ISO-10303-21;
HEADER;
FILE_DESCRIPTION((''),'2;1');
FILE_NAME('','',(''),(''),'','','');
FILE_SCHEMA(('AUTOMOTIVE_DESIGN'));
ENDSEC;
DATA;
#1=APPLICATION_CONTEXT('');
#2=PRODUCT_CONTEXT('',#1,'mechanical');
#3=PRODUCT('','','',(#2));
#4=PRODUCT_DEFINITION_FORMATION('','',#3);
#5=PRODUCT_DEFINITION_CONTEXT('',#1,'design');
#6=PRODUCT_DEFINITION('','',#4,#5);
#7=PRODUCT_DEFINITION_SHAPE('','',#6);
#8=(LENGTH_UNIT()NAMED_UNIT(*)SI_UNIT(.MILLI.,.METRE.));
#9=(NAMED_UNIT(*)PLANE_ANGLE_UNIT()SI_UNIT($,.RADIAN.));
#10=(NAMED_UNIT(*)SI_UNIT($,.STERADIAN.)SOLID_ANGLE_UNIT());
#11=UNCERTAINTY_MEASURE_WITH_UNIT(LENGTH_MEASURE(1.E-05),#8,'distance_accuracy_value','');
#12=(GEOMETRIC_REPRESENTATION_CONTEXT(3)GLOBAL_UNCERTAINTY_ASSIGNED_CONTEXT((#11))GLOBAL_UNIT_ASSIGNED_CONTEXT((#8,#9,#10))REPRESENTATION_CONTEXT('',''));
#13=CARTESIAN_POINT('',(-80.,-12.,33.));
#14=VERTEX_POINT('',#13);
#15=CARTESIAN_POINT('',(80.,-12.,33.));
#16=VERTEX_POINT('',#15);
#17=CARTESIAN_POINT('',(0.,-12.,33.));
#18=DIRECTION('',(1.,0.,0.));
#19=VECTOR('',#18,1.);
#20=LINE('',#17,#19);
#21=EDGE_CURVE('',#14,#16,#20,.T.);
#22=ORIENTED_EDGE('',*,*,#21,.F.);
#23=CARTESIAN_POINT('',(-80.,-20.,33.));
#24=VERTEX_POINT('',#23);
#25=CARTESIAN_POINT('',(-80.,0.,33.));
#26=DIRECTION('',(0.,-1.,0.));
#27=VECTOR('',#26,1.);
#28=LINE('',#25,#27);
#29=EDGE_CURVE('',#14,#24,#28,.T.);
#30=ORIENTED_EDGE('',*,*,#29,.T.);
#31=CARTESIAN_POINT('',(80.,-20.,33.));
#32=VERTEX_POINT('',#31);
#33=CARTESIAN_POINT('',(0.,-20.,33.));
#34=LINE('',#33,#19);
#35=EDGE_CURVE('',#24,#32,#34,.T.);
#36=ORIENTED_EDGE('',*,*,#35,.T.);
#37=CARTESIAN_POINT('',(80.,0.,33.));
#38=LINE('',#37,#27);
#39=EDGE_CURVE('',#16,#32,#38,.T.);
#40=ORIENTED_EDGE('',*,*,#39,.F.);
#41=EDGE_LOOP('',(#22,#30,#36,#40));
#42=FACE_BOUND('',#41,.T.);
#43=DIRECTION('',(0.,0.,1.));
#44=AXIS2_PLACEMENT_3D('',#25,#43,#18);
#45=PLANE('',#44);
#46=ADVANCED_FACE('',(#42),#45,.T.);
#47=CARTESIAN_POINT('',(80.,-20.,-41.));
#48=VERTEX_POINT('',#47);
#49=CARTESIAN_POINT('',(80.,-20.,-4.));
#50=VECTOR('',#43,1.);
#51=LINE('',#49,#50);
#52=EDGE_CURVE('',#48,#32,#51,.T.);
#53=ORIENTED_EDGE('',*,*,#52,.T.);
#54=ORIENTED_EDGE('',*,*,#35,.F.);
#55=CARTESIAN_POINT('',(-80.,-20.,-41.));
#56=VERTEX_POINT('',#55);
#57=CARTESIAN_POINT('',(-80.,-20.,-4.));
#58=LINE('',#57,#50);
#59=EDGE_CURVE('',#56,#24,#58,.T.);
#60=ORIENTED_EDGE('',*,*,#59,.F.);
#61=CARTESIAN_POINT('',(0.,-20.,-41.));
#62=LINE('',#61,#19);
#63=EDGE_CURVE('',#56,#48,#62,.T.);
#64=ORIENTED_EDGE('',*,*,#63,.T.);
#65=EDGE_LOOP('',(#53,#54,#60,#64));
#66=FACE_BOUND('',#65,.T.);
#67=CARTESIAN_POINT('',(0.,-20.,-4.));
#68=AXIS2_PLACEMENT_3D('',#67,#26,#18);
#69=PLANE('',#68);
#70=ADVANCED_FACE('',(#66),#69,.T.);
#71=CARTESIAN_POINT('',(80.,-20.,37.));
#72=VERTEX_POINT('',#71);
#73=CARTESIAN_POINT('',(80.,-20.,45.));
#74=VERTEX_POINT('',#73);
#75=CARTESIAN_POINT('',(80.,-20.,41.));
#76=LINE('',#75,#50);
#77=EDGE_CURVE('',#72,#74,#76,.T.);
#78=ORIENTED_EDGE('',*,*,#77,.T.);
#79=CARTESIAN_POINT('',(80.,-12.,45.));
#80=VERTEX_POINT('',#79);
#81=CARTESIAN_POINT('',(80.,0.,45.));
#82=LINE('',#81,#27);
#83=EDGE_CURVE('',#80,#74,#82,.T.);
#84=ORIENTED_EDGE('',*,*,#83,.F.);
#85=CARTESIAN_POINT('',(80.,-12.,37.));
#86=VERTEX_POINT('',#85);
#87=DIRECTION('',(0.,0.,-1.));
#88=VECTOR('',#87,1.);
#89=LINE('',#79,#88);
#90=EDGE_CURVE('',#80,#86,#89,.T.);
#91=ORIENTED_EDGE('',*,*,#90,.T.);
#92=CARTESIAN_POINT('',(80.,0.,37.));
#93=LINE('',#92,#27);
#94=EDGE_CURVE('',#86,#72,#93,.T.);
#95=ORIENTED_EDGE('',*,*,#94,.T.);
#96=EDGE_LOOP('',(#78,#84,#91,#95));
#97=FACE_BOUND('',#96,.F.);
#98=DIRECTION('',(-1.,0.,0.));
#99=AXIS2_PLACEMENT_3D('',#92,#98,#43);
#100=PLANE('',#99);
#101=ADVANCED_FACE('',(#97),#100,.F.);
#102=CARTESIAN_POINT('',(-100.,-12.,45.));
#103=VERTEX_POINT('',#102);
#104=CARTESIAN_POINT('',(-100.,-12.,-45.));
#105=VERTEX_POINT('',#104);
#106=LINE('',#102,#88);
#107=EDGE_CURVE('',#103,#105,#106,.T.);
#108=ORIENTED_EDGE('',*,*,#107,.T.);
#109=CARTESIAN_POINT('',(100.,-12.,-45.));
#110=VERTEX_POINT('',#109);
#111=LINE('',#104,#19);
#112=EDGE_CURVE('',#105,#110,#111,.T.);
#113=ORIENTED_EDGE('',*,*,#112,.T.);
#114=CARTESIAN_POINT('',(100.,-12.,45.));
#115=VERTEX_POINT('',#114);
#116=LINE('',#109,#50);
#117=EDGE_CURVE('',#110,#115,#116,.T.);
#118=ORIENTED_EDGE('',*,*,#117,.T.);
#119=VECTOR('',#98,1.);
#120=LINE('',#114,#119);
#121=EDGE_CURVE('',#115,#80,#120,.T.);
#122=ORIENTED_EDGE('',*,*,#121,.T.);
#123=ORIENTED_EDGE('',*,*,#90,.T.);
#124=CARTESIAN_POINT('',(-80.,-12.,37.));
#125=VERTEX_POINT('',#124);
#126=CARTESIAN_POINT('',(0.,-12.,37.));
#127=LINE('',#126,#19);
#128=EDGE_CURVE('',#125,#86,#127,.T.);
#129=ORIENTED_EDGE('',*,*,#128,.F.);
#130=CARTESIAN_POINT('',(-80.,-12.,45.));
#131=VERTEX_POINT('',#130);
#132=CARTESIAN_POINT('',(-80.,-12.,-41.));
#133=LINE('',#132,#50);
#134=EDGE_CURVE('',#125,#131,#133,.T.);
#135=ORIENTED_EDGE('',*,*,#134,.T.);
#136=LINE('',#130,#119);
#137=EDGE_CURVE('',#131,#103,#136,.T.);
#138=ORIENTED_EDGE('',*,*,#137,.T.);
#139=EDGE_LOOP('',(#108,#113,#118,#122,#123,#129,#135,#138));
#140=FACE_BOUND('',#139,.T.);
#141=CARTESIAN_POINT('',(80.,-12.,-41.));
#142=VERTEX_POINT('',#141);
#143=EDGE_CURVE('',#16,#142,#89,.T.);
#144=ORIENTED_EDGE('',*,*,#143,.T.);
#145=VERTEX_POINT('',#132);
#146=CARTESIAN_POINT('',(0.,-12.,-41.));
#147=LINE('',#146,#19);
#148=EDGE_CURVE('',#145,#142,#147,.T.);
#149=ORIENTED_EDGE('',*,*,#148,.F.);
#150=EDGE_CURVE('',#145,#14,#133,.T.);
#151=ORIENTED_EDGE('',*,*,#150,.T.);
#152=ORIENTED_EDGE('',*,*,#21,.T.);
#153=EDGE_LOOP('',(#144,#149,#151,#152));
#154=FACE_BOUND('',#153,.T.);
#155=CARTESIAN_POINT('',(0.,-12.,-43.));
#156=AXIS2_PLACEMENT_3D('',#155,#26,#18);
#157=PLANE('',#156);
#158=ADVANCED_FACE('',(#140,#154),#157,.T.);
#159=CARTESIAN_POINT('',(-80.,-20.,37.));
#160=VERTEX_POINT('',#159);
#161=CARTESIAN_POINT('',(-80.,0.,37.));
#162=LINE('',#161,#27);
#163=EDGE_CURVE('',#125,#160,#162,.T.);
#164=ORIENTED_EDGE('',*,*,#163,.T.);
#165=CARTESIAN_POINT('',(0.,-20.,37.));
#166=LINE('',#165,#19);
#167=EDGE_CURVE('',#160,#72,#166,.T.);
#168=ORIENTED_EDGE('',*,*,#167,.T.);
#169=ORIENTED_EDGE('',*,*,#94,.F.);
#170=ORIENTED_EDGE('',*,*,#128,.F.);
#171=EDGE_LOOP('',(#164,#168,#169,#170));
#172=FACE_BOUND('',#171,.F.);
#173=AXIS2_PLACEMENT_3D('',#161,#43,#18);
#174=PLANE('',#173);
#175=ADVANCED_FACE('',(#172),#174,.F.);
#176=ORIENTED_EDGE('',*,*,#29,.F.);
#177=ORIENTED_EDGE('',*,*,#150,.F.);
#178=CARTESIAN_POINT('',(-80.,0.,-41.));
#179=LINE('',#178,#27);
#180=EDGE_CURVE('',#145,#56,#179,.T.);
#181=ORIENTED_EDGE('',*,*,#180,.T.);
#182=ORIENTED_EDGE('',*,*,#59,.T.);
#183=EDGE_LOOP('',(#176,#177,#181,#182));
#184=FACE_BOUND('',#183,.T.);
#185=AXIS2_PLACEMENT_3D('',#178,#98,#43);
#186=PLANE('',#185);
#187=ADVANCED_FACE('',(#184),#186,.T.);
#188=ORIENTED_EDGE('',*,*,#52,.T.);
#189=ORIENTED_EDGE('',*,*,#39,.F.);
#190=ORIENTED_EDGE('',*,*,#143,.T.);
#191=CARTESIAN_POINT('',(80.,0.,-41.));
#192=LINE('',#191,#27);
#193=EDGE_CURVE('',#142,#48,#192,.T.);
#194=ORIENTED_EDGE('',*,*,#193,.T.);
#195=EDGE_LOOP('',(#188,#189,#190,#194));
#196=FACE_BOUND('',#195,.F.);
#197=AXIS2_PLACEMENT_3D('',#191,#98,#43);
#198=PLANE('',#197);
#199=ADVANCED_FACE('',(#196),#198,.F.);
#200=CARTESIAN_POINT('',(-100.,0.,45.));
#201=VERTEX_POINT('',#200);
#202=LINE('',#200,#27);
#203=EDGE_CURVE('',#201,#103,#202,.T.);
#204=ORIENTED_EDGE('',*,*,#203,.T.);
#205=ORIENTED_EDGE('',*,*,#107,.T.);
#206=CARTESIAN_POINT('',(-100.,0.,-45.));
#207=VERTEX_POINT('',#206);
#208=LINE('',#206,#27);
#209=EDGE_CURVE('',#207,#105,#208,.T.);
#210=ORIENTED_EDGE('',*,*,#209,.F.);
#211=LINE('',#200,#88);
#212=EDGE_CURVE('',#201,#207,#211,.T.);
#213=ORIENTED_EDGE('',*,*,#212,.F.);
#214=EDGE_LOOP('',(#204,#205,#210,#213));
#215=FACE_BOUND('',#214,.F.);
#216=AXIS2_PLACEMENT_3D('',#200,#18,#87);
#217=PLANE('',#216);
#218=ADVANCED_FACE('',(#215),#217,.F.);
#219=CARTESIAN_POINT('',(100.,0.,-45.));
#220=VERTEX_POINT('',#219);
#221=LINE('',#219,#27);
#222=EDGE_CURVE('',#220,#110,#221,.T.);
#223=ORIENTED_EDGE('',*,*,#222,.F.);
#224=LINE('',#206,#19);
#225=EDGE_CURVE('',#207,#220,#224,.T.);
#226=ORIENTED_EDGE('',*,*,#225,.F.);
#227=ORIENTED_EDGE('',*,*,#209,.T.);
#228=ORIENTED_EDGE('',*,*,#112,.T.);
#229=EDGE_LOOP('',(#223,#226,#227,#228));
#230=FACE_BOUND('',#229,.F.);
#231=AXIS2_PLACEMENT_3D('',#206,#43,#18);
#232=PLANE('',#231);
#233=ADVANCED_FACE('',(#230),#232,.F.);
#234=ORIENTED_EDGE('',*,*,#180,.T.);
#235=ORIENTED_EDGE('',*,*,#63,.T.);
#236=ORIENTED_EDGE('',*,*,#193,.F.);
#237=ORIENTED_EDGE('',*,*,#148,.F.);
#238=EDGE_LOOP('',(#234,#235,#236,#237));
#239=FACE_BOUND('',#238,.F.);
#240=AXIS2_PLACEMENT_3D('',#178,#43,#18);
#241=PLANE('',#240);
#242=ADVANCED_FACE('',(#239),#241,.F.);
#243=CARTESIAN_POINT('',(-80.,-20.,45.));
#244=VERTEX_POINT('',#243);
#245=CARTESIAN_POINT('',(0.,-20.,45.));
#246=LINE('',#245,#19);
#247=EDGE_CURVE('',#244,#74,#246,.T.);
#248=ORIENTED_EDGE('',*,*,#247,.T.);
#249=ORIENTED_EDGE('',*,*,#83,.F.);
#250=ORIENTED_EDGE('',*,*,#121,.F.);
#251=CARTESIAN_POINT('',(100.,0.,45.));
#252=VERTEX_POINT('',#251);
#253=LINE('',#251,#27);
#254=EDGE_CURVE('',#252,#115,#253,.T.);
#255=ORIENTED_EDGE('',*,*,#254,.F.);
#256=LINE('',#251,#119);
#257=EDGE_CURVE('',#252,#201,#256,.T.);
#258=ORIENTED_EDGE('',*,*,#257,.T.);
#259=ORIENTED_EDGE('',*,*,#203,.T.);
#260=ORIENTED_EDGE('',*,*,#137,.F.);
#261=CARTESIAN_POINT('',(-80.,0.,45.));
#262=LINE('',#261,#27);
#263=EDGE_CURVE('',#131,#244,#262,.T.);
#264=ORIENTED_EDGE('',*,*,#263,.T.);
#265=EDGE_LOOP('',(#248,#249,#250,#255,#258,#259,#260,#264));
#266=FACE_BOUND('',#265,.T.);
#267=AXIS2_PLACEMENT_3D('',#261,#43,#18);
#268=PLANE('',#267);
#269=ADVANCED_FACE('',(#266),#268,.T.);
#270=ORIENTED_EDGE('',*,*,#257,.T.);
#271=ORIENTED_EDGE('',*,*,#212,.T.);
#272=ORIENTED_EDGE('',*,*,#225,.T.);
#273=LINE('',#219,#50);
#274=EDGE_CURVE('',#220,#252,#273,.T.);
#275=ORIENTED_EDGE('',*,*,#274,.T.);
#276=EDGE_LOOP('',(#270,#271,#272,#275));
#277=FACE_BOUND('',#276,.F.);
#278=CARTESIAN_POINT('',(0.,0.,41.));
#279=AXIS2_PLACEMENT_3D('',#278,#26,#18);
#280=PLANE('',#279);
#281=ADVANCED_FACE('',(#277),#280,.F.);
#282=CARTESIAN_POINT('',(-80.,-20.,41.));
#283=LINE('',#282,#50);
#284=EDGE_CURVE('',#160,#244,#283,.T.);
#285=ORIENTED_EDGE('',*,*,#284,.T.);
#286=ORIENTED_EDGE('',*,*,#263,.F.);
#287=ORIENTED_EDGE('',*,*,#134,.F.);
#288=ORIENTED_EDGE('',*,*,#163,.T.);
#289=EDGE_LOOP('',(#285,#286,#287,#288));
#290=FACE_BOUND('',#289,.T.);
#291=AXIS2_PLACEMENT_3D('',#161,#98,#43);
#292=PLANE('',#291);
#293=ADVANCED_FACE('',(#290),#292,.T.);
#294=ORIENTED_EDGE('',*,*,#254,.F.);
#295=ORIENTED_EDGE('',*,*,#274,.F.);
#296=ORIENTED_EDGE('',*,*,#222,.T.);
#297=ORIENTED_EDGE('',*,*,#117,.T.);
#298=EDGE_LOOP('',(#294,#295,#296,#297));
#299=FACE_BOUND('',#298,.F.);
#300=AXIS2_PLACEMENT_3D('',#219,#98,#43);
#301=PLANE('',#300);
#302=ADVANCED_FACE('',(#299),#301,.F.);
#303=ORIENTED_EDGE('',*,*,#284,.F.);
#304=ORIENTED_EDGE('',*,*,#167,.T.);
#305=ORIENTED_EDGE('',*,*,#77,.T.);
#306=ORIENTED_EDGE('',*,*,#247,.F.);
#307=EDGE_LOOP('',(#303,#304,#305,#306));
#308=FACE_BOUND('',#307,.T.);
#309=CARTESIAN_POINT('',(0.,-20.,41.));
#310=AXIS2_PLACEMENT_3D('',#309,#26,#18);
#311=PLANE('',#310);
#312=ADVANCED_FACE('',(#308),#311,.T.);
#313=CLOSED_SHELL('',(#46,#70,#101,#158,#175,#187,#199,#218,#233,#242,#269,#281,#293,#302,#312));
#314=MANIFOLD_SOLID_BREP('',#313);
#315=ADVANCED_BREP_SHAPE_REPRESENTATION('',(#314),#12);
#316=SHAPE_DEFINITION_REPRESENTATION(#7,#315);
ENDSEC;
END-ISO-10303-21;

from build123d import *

# Parameters (mm, degrees)
F0_W     = 160
F0_H     = 4
F1_DEPTH = 12
F0_H_2   = 8
F0_H_3   = 74
F2_DEPTH = 20


with BuildPart() as f1:
    # F0 (on Front) → F1 (new body)
    with BuildSketch(Plane.XZ):
        with Locations((0, -43)):
            Rectangle(F0_W, F0_H)
        Polygon((100, -45), (100, 45), (80, 45), (80, 37), (80, 33), (80, -41), (80, -45), align=None)
        Polygon((-80, 37), (-80, 45), (-100, 45), (-100, -45), (-80, -45), (-80, -41), (-80, 33), align=None)
        with Locations((0, 35)):
            Rectangle(F0_W, F0_H)
    extrude(amount=F1_DEPTH)

    # F0 (on Front) → F2 (join)
    with BuildSketch(Plane.XZ):
        with Locations((0, 41)):
            Rectangle(F0_W, F0_H_2)
        with Locations((0, -4)):
            Rectangle(F0_W, F0_H_3)
    extrude(amount=F2_DEPTH)


solid = f1.part
